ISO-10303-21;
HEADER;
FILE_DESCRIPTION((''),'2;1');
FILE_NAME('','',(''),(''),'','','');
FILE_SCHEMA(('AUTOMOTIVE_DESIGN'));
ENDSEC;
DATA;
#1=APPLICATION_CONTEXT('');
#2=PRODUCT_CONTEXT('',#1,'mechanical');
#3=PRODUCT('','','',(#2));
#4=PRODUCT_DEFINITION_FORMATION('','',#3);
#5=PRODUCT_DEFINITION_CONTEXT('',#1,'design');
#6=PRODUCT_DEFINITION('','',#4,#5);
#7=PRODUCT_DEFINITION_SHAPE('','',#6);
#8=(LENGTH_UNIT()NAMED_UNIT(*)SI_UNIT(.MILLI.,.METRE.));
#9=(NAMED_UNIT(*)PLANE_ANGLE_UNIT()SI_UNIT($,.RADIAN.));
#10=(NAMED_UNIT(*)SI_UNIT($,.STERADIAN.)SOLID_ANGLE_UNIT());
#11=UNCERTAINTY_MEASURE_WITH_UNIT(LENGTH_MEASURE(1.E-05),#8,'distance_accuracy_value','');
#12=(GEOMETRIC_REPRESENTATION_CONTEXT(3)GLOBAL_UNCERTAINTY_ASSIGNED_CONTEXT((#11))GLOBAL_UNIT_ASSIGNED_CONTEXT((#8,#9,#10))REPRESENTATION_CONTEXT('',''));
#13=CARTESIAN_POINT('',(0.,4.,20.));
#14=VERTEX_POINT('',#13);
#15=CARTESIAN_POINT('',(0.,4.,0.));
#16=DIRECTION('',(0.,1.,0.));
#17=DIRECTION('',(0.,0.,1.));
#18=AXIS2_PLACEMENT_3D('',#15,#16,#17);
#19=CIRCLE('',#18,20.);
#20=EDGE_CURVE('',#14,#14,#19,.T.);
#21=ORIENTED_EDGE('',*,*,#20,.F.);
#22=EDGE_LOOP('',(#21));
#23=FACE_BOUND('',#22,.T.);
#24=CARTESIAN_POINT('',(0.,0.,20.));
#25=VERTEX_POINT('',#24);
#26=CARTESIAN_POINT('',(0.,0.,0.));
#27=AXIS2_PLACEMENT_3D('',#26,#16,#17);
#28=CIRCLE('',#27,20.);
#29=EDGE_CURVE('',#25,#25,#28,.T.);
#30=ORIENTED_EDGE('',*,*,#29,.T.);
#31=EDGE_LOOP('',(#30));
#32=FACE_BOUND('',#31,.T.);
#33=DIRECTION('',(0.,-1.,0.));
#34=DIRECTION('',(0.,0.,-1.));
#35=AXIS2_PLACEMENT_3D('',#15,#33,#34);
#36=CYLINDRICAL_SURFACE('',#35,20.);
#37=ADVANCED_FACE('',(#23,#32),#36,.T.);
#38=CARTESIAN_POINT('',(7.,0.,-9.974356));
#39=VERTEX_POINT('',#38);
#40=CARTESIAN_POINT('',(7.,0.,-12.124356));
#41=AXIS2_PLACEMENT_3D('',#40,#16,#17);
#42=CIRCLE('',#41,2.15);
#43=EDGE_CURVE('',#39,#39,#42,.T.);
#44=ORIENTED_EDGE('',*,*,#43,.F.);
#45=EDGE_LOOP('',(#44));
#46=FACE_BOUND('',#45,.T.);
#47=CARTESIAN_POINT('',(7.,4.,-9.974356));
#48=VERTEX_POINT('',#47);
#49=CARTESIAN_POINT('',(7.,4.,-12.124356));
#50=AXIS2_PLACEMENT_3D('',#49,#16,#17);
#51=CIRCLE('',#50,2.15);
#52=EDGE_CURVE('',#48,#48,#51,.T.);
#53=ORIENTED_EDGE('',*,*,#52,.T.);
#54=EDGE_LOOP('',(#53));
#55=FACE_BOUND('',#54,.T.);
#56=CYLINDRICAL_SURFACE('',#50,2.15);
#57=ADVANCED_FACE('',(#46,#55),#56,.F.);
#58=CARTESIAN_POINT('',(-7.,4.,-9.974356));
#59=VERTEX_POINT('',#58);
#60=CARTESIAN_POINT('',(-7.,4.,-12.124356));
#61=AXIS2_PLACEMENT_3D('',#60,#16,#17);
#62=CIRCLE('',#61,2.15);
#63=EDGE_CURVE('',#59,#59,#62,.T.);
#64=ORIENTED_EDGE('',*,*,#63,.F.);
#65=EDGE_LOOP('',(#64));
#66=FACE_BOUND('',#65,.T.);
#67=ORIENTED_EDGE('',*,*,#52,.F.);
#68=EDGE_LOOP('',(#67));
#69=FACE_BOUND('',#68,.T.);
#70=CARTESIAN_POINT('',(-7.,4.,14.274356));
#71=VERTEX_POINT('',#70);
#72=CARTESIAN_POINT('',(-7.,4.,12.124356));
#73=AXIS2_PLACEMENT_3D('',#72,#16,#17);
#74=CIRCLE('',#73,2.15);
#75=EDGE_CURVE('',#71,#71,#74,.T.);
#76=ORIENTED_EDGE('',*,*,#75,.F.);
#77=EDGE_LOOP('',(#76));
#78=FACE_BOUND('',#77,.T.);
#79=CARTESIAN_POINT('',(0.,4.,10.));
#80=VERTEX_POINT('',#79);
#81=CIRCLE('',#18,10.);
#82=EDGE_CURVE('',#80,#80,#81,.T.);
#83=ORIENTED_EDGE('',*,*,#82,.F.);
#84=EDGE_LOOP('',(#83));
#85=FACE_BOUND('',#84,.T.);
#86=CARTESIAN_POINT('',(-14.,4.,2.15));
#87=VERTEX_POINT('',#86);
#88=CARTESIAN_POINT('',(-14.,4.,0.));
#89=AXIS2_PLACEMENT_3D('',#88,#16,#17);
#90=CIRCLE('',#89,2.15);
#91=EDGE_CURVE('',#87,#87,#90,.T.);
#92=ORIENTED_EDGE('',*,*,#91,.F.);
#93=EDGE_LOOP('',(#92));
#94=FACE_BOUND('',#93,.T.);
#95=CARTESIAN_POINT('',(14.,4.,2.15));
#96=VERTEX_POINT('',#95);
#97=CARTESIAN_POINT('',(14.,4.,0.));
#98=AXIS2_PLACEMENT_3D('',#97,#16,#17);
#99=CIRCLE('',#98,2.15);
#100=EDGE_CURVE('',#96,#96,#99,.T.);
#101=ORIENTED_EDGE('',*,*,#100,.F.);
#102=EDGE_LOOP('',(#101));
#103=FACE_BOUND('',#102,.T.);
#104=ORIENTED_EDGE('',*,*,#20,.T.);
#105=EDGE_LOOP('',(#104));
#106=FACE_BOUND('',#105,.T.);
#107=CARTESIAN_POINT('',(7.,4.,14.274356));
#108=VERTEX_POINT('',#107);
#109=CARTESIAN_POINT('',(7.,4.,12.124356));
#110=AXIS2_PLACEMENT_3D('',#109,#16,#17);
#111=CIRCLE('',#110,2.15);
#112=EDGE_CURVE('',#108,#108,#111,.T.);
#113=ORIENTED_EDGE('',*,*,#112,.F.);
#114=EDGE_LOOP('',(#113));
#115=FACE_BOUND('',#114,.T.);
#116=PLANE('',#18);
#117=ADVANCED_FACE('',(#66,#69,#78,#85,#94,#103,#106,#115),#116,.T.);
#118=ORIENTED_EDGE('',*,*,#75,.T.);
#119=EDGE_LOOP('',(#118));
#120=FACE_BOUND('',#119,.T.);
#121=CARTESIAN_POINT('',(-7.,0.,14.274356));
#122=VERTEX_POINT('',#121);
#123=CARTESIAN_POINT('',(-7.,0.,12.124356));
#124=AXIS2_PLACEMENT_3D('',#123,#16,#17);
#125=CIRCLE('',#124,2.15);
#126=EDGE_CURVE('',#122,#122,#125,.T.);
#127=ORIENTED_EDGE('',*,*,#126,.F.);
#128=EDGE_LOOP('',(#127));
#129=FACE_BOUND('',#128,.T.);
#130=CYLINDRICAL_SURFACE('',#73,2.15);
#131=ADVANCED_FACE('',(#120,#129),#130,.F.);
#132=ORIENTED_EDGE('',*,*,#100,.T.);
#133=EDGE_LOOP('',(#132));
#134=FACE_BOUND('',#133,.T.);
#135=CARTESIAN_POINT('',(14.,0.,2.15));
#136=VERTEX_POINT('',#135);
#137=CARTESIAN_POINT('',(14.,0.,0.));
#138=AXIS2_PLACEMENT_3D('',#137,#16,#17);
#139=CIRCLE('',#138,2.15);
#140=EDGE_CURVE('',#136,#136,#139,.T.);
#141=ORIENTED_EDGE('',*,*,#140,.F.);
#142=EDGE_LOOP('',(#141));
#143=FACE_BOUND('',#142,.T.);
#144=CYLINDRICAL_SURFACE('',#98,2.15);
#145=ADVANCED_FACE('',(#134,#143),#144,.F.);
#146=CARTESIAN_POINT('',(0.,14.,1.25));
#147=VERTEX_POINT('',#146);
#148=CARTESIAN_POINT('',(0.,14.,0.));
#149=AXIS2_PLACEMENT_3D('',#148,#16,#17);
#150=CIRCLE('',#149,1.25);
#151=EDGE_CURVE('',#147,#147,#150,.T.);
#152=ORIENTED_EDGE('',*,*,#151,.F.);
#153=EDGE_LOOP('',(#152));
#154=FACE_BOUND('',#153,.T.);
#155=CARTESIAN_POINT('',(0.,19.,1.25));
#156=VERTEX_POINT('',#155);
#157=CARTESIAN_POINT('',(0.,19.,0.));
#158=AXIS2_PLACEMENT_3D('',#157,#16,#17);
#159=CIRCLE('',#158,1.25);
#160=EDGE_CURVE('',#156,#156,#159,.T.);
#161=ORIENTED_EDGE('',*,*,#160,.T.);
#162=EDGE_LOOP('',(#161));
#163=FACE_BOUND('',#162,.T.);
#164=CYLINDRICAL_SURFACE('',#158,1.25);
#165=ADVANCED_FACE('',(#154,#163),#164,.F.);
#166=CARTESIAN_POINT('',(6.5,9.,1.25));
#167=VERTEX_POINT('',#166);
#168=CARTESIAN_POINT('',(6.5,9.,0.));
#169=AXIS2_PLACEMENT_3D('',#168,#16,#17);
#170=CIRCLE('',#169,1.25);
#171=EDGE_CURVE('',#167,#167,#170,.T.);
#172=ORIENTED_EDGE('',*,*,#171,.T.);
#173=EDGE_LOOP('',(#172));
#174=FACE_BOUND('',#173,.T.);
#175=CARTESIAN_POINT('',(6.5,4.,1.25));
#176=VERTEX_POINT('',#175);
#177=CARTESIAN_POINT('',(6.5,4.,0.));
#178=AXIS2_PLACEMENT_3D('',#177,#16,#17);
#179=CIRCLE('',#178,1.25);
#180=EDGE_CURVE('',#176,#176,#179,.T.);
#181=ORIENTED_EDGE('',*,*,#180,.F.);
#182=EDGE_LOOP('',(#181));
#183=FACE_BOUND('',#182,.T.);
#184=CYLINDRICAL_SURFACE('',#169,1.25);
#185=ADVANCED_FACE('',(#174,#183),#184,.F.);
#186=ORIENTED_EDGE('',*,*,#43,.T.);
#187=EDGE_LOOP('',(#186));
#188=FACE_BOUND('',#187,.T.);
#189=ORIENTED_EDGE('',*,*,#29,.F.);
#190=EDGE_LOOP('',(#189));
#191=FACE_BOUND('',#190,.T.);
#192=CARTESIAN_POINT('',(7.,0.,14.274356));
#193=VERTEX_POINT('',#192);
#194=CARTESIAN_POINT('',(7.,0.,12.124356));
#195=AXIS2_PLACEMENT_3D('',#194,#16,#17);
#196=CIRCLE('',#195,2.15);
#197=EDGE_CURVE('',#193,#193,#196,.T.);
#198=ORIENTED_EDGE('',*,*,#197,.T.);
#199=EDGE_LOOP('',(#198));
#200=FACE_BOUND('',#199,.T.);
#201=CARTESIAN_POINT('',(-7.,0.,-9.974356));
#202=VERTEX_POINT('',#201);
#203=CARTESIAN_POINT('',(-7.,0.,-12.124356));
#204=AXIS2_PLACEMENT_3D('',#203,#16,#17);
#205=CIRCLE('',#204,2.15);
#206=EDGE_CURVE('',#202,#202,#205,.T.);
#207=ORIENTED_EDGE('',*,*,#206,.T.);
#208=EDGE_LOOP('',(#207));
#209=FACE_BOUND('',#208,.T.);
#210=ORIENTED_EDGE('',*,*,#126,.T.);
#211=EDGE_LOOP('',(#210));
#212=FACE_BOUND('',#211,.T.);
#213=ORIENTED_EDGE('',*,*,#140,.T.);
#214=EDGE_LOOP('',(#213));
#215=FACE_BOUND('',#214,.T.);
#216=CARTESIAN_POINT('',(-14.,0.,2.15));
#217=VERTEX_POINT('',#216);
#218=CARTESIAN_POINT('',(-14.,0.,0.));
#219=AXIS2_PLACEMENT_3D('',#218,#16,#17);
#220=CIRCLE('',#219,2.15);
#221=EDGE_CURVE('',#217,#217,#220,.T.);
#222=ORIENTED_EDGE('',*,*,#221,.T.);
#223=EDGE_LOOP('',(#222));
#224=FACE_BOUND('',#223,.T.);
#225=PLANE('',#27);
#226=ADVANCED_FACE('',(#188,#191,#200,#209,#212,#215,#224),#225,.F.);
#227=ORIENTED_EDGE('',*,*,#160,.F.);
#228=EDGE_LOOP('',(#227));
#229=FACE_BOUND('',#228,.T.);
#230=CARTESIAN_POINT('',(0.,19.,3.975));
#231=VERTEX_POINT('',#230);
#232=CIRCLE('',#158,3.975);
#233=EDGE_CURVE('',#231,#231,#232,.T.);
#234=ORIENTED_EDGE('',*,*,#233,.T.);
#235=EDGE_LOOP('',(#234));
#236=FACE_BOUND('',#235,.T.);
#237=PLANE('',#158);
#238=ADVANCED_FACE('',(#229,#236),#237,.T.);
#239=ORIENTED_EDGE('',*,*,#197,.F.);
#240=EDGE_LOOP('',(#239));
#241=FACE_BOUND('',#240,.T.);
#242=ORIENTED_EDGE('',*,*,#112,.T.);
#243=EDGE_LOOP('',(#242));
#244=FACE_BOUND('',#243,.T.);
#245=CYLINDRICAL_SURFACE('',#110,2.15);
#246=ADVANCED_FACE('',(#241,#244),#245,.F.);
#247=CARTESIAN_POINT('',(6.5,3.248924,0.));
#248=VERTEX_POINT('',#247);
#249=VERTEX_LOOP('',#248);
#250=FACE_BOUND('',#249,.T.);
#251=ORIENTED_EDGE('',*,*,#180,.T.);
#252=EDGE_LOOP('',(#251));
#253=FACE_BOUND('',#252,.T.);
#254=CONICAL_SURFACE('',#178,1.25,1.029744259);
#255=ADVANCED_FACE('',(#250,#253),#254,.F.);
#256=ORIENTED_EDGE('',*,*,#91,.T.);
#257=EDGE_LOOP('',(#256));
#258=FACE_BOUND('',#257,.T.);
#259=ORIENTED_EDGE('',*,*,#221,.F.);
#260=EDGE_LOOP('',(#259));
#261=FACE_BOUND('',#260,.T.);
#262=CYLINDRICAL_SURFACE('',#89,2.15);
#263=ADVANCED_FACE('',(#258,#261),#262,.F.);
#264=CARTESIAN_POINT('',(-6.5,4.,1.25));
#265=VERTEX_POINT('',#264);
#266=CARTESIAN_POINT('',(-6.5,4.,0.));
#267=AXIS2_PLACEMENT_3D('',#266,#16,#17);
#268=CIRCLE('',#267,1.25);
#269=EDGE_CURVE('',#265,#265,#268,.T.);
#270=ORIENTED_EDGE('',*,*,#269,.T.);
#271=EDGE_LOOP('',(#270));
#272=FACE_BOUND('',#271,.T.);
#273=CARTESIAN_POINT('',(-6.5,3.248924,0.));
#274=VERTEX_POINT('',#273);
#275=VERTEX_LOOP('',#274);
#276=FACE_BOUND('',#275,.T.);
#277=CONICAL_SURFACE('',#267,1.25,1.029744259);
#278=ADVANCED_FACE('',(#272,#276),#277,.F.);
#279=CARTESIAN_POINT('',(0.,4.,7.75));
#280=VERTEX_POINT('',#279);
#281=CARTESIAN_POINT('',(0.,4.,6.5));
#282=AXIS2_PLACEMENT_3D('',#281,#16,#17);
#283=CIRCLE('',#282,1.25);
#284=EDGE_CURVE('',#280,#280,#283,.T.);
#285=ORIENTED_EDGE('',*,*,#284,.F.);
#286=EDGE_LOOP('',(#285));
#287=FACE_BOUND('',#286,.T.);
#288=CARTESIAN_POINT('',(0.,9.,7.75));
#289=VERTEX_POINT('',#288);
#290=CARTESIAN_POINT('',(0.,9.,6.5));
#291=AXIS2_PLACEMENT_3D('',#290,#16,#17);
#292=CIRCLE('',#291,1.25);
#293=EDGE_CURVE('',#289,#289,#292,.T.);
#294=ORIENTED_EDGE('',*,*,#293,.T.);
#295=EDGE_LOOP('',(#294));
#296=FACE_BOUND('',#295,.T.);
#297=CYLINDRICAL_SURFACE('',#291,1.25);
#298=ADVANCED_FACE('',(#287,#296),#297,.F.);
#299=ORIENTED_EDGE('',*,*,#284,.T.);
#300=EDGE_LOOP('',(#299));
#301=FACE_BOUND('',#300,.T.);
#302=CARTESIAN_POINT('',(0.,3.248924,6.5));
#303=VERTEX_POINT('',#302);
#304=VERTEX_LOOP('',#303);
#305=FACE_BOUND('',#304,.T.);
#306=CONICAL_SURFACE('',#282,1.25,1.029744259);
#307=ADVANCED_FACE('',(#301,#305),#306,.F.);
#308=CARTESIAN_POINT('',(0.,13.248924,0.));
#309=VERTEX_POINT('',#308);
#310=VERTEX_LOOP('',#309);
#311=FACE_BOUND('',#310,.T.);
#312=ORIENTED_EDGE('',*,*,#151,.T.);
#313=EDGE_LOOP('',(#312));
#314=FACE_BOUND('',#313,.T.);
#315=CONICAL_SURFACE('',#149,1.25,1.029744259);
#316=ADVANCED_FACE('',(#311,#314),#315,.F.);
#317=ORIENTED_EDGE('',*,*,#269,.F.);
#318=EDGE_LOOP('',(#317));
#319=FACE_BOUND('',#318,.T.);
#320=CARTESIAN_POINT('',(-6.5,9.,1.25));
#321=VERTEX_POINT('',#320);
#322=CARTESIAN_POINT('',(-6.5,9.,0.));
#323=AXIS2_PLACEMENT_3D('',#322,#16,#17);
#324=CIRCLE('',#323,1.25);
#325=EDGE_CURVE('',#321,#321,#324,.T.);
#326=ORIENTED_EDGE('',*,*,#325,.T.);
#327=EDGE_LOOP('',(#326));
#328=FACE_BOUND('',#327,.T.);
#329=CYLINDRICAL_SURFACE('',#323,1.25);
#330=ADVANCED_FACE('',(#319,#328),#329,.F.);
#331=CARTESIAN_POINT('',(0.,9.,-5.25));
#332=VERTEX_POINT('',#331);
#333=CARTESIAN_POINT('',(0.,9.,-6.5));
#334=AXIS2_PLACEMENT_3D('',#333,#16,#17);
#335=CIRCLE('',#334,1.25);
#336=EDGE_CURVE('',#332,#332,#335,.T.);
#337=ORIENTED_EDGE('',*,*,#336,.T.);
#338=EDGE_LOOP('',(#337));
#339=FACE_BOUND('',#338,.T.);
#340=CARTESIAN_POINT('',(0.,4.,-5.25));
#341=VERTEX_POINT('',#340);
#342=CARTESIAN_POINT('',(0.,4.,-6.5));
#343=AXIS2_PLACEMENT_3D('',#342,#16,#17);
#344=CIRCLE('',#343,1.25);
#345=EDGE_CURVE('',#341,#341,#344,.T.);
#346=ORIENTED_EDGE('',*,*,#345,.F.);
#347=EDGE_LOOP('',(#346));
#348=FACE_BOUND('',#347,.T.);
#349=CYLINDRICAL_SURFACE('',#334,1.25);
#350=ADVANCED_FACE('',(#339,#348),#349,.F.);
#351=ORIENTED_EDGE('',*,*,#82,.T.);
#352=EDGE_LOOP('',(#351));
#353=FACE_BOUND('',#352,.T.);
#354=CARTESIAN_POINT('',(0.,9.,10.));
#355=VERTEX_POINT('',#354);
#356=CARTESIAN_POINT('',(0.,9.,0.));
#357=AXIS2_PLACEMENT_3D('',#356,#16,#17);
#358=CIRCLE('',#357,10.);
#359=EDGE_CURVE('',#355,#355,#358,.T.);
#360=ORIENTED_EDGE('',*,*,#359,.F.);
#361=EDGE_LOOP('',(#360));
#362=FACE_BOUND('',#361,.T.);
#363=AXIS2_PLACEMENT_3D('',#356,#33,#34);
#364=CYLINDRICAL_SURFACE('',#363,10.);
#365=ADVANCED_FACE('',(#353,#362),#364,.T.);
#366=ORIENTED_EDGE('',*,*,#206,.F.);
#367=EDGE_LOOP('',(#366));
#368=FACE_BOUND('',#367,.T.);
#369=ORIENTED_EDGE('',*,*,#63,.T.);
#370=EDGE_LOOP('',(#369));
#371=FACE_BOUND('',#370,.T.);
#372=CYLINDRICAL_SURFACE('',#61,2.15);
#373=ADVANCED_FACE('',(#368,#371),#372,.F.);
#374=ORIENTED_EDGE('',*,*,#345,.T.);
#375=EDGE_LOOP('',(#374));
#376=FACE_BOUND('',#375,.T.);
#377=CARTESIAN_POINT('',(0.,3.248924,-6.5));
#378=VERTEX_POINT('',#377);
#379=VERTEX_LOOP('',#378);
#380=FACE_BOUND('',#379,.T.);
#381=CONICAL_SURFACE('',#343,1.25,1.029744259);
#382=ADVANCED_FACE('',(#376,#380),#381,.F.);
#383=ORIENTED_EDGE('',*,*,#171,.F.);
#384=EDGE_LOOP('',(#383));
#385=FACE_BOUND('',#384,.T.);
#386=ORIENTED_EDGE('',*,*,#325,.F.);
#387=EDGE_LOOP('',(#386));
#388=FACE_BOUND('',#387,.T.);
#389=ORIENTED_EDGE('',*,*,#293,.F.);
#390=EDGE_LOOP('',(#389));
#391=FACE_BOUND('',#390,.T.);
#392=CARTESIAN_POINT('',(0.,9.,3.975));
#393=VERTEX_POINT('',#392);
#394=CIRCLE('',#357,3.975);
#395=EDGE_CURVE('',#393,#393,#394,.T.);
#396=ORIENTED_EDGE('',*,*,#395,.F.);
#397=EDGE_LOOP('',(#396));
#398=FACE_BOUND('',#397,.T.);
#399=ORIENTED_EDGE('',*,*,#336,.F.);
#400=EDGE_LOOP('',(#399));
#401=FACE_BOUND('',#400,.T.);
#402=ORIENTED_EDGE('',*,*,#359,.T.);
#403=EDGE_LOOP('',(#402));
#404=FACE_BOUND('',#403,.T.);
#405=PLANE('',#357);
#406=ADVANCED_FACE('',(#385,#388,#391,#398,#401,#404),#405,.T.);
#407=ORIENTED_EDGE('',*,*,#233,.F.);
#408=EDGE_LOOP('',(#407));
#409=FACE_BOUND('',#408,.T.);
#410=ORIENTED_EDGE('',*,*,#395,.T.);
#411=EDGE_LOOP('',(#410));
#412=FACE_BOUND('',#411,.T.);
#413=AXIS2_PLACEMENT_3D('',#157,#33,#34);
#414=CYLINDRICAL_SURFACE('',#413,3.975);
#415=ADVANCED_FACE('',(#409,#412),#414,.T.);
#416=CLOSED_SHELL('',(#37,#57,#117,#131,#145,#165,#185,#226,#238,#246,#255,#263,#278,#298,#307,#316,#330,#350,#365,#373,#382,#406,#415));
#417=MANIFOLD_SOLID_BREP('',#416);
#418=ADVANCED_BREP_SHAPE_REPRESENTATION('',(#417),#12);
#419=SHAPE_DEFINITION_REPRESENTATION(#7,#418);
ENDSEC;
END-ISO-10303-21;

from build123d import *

# Parameters (mm, degrees)
SKETCH1_R             = 20
BOSS_EXTRUDE1_DEPTH   = 4
SKETCH2_R             = 10
BOSS_EXTRUDE2_DEPTH   = 5
SKETCH4_R             = 3.975
BOSS_EXTRUDE3_DEPTH   = 10
M4_CLEARANCE_HOLE2_D  = 4.3
M3_TAPPED_HOLE1_D     = 2.5
M3_TAPPED_HOLE1_DEPTH = 5
M3_TAPPED_HOLE1_TIP   = 0.751075774
M3_TAPPED_HOLE2_D     = 2.5
M3_TAPPED_HOLE2_DEPTH = 5
M3_TAPPED_HOLE2_TIP   = 0.751075774


with BuildPart() as part:
    # Sketch1 → Boss-Extrude1 (new body)
    with BuildSketch(Plane(origin=(0, 0, 0), x_dir=(1, 0, 0), z_dir=(0, 1, 0))):
        with Locations(Location((0, 0, 0), (0, 0, 270))):
            Circle(SKETCH1_R)
    extrude(amount=BOSS_EXTRUDE1_DEPTH)

    # Sketch2 → Boss-Extrude2 (add)
    with BuildSketch(Plane(origin=(0, 4, 0), x_dir=(1, 0, 0), z_dir=(0, 1, 0))):
        with Locations(Location((0, 0, 0), (0, 0, 270))):
            Circle(SKETCH2_R)
    extrude(amount=BOSS_EXTRUDE2_DEPTH)

    # Sketch4 → Boss-Extrude3 (add)
    with BuildSketch(Plane(origin=(0, 9, 0), x_dir=(1, 0, 0), z_dir=(0, 1, 0))):
        with Locations(Location((0, 0, 0), (0, 0, 270))):
            Circle(SKETCH4_R)
    extrude(amount=BOSS_EXTRUDE3_DEPTH)

    # M4 Clearance Hole2 (through all)
    with Locations(Plane(origin=(0, 4, 0), x_dir=(1, 0, 0), z_dir=(0, 1, 0))):
        with Locations((-14, 0), (-7, 12.124355653), (7, 12.124355653), (14, 0), (7, -12.124355653), (-7, -12.124355653)):
            Hole(M4_CLEARANCE_HOLE2_D / 2)

    # M3 Tapped Hole1
    with Locations(Plane(origin=(0, 9, 0), x_dir=(1, 0, 0), z_dir=(0, 1, 0))):
        with Locations((-6.5, 0), (0, 6.5), (6.5, 0), (0, -6.5)):
            Hole(M3_TAPPED_HOLE1_D / 2, depth=M3_TAPPED_HOLE1_DEPTH)
            with Locations((0, 0, -(M3_TAPPED_HOLE1_DEPTH + M3_TAPPED_HOLE1_TIP / 2))):  # 118° drill point
                Cone(0, M3_TAPPED_HOLE1_D / 2, M3_TAPPED_HOLE1_TIP, mode=Mode.SUBTRACT)

    # M3 Tapped Hole2
    with Locations(Plane(origin=(0, 19, 0), x_dir=(1, 0, 0), z_dir=(0, 1, 0))):
        with Locations((0, 0)):
            Hole(M3_TAPPED_HOLE2_D / 2, depth=M3_TAPPED_HOLE2_DEPTH)
            with Locations((0, 0, -(M3_TAPPED_HOLE2_DEPTH + M3_TAPPED_HOLE2_TIP / 2))):  # 118° drill point
                Cone(0, M3_TAPPED_HOLE2_D / 2, M3_TAPPED_HOLE2_TIP, mode=Mode.SUBTRACT)


solid = part.part
